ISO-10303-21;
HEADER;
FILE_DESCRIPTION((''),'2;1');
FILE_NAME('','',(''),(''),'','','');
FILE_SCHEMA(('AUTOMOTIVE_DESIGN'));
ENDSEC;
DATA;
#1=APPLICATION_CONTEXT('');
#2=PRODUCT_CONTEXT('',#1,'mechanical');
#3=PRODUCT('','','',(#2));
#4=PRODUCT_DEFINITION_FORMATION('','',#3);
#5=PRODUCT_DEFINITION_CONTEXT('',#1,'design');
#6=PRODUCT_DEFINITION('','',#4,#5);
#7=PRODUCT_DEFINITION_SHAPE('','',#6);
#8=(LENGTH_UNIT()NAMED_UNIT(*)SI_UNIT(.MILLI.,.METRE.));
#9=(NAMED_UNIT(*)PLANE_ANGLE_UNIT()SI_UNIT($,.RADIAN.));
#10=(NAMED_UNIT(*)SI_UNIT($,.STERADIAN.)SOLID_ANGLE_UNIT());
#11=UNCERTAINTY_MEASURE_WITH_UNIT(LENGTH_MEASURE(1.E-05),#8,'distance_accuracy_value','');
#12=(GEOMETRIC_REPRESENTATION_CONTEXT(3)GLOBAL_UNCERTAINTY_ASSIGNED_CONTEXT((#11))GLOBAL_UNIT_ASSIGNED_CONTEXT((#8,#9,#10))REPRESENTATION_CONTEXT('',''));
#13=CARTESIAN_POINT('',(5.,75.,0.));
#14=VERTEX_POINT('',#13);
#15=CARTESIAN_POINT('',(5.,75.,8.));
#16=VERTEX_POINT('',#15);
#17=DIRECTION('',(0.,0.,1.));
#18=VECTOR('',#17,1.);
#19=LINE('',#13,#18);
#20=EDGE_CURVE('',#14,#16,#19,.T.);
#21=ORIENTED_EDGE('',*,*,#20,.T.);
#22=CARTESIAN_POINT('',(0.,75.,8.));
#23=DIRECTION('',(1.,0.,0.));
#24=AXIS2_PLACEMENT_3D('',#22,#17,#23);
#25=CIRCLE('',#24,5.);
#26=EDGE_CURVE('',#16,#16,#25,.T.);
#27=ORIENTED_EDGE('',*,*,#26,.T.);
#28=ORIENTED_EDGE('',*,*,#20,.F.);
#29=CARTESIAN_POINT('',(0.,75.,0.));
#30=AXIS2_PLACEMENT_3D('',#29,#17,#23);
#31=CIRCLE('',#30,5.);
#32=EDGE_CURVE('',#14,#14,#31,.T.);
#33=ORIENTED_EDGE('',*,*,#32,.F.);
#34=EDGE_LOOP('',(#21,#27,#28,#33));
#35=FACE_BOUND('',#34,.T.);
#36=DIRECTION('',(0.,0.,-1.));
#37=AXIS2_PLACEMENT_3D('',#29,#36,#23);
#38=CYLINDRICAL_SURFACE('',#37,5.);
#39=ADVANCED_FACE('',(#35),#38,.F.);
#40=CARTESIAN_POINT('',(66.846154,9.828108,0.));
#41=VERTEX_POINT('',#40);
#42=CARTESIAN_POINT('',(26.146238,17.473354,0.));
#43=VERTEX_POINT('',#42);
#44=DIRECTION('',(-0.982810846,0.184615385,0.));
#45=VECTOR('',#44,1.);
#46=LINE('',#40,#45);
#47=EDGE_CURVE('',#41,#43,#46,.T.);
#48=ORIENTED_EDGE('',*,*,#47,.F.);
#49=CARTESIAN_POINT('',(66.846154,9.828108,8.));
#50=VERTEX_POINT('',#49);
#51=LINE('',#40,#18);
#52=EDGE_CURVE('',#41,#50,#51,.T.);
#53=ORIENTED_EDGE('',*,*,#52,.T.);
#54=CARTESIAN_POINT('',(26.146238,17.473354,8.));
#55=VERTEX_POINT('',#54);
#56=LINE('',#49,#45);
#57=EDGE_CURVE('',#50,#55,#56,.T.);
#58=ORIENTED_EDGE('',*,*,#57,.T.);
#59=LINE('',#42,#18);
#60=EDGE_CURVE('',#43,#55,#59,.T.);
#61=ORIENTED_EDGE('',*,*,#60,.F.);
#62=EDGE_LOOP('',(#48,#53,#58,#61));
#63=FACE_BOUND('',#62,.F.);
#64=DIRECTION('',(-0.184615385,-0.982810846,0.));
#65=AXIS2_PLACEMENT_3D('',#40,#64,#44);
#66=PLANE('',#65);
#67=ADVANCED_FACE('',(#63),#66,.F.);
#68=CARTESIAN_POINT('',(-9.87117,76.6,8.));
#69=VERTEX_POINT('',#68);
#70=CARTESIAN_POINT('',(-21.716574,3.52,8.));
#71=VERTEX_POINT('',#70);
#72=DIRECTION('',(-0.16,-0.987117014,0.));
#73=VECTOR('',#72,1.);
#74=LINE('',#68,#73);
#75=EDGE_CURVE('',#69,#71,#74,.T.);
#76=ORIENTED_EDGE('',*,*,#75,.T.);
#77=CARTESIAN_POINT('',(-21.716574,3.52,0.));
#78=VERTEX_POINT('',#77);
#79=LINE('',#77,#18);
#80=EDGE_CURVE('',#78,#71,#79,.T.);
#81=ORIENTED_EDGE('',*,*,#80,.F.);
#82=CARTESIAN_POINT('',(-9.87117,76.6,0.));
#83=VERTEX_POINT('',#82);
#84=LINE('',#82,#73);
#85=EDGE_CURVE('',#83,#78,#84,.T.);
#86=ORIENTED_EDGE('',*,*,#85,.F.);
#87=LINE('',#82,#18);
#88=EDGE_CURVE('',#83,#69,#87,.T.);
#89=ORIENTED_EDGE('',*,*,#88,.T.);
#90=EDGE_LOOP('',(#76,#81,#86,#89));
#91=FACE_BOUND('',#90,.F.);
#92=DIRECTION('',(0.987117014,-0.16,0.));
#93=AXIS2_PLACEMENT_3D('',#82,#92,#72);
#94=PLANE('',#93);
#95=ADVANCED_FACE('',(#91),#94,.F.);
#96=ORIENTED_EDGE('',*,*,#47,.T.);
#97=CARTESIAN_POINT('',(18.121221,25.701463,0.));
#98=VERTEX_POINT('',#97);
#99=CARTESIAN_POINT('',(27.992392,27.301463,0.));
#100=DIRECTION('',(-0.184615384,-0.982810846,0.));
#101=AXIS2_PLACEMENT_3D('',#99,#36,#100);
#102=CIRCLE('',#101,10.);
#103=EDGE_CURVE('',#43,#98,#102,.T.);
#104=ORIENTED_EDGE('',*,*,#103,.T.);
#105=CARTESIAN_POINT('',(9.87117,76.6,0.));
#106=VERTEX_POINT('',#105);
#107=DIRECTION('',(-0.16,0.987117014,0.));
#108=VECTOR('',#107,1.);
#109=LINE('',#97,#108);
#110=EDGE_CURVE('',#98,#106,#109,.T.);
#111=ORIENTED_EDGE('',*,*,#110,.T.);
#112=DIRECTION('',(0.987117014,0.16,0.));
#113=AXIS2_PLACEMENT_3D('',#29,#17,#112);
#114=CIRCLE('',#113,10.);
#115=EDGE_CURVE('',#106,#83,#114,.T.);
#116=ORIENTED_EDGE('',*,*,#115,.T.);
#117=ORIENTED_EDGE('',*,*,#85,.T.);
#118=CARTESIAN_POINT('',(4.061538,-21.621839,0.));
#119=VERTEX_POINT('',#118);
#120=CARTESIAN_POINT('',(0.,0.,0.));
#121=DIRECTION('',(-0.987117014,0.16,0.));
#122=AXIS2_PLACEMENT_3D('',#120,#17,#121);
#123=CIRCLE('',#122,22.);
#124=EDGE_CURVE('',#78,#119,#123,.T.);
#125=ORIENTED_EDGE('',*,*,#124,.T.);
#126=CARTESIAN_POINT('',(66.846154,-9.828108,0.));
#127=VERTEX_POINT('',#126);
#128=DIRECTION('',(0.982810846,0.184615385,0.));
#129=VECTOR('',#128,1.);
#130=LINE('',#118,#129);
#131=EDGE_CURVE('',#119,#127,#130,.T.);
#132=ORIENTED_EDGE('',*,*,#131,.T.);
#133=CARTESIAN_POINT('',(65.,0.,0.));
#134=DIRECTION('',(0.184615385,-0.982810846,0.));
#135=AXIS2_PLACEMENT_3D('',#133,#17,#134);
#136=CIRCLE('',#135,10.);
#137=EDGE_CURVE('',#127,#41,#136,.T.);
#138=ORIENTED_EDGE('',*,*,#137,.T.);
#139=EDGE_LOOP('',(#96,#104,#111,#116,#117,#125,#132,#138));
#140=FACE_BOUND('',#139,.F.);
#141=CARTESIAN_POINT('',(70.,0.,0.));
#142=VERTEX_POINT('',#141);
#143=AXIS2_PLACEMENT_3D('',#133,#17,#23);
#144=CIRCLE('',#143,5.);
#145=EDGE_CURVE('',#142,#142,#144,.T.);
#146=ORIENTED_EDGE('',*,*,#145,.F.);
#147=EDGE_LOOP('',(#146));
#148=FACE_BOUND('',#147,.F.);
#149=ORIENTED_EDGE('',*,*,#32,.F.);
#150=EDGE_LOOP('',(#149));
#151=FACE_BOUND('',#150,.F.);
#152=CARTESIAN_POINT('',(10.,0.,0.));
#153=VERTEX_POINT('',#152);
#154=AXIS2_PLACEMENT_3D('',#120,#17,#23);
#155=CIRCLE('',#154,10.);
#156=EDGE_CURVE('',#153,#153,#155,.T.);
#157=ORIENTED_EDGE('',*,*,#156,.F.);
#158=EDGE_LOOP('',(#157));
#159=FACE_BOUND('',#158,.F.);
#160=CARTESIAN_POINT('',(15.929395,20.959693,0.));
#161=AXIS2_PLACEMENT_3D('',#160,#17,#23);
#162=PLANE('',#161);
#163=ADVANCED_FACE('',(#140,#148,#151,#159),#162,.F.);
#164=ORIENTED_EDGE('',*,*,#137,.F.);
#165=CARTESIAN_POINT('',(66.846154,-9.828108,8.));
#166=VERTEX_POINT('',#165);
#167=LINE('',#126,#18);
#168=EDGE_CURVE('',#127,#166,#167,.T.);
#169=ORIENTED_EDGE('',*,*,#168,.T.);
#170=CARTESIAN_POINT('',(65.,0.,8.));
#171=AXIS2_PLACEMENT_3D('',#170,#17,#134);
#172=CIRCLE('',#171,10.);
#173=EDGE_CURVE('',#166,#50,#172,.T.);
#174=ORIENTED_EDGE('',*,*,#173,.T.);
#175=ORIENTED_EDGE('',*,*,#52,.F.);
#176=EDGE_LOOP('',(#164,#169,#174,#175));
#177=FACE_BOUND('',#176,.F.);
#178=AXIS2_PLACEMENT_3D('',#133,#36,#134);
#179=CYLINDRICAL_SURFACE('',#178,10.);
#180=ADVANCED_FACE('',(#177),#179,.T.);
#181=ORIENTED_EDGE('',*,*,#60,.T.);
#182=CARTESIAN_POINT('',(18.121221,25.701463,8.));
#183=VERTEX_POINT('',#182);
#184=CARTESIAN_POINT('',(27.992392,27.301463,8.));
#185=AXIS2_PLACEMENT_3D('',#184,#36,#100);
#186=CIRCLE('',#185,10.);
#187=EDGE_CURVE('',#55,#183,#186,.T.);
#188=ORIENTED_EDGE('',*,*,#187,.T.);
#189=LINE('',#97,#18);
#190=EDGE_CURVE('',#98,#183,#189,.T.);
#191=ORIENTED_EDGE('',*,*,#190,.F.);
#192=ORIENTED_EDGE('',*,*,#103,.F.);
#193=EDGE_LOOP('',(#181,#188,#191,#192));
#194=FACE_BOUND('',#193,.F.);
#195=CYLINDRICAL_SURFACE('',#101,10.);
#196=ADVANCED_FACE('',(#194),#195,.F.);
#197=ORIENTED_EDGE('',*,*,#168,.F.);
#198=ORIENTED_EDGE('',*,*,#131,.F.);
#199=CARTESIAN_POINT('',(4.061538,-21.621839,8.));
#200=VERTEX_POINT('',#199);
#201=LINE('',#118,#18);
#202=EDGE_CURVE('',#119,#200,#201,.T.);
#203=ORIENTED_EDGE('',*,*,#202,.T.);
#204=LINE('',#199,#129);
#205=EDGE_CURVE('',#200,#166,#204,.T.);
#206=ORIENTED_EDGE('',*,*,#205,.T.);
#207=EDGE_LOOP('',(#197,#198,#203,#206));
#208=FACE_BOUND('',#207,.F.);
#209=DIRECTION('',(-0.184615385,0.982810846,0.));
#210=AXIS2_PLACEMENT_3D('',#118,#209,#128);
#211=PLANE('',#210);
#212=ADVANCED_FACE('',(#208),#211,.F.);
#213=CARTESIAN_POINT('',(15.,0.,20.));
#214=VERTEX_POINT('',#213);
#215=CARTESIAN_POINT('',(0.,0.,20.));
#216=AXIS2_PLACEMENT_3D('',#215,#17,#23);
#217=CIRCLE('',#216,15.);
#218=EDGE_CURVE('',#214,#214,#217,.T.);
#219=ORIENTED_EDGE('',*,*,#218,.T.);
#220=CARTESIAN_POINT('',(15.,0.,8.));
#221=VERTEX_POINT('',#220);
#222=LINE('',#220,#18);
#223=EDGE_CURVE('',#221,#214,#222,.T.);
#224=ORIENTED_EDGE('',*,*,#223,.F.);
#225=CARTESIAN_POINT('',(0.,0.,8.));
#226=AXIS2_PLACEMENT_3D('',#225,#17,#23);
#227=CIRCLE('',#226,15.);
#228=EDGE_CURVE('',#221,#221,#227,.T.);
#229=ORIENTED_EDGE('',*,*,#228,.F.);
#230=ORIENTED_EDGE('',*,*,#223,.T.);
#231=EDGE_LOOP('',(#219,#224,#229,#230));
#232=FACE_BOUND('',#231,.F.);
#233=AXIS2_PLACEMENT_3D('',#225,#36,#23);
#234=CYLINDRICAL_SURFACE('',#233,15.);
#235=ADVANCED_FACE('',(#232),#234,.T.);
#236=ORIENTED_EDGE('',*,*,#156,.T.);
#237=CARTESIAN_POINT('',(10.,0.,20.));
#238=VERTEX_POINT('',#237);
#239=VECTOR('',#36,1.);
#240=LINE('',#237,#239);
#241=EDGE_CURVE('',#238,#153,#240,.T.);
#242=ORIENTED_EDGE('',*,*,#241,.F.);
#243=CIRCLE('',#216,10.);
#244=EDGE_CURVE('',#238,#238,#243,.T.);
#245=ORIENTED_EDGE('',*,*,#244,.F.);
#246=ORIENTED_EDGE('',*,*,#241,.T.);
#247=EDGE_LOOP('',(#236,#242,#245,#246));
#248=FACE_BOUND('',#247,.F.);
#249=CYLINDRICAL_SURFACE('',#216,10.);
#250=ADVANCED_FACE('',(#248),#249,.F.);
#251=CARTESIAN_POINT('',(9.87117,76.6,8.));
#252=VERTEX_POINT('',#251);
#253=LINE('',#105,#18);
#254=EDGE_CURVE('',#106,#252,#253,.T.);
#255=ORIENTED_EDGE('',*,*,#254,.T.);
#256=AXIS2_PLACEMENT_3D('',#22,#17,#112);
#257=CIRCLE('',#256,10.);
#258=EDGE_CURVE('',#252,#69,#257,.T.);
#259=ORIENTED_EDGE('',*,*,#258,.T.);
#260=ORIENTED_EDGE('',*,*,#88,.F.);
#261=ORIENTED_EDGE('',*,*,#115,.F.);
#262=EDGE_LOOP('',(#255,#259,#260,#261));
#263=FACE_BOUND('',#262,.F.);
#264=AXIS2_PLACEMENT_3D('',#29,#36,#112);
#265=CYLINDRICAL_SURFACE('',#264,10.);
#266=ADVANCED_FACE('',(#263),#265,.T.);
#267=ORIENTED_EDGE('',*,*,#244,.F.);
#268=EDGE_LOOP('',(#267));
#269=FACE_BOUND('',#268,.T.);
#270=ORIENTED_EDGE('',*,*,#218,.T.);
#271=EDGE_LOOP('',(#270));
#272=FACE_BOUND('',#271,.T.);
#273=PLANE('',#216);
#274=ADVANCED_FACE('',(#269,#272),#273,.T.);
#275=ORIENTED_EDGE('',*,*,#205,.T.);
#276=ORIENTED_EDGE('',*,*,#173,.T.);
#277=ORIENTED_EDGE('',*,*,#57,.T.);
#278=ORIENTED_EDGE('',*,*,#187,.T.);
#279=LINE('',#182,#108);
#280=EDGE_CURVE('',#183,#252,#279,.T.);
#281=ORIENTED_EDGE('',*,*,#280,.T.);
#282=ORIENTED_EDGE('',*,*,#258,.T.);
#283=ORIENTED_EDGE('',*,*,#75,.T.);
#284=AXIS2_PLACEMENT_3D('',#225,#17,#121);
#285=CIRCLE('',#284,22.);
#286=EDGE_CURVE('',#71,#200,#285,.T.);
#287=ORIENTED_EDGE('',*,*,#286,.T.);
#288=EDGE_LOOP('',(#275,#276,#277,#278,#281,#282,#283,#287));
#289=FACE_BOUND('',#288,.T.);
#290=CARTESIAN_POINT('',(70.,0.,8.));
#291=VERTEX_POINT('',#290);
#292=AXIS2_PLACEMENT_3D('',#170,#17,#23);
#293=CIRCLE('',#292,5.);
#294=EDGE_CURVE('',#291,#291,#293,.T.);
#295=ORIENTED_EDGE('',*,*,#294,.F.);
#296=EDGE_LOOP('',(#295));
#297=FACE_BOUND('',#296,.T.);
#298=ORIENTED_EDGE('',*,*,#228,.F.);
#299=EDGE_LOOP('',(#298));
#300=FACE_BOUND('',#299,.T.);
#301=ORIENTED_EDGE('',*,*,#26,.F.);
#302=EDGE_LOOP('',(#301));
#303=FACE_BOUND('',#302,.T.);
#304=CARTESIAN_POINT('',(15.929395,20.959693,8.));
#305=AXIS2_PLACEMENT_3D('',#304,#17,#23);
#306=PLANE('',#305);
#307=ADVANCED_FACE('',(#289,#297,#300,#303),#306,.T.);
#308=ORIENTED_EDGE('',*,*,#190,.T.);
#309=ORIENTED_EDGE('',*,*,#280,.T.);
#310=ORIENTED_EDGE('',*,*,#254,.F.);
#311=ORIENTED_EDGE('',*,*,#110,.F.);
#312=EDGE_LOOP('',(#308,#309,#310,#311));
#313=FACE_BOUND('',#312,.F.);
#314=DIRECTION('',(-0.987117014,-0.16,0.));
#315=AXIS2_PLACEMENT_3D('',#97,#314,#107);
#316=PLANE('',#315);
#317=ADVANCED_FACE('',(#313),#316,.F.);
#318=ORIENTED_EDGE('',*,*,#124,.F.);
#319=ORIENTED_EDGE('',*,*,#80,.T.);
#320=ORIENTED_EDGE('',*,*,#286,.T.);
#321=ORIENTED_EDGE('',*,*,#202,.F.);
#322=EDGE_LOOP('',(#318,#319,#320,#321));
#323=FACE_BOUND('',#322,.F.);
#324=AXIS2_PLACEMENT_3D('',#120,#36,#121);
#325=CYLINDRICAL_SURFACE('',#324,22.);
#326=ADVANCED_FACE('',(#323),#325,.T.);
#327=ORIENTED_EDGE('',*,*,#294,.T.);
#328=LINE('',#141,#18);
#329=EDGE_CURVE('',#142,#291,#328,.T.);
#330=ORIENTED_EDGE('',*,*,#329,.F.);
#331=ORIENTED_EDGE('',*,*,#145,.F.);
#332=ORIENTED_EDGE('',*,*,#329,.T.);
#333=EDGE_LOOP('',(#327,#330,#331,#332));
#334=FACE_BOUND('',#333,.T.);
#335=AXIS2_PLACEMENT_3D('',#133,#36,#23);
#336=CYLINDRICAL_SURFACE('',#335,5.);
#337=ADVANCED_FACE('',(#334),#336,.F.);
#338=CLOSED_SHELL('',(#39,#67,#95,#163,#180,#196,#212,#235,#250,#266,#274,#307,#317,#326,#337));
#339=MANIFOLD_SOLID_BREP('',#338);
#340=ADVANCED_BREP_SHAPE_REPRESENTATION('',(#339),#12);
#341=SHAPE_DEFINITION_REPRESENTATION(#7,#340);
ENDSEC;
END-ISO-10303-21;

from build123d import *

# Parameters (mm, degrees)
SKETCH1_R           = 5
BOSS_EXTRUDE1_DEPTH = 8
SKETCH2_R           = 15
BOSS_EXTRUDE2_DEPTH = 12
SKETCH3_R           = 10
CUT_EXTRUDE1_DEPTH  = 21


with BuildPart() as part:
    # Sketch1 → Boss-Extrude1 (new body)
    with BuildSketch(Plane.XY):
        with BuildLine():
            Line((-9.871170143, 76.6), (-21.716574315, 3.52))
            ThreePointArc((-21.716574315, 3.52), (-15.360764468, -15.749505229), (4.061538462, -21.62183862))
            Line((4.061538462, -21.62183862), (66.846153846, -9.828108464))
            ThreePointArc((66.846153846, -9.828108464), (75, 0), (66.846153846, 9.828108464))
            Line((66.846153846, 9.828108464), (26.146237666, 17.473354451))
            ThreePointArc((26.146237666, 17.473354451), (20.833525499, 20.319297247), (18.121221369, 25.701462915))
            Line((18.121221369, 25.701462915), (9.871170143, 76.6))
            ThreePointArc((9.871170143, 76.6), (0, 85), (-9.871170143, 76.6))
        make_face()
        with Locations((0, 75)):
            Circle(SKETCH1_R, mode=Mode.SUBTRACT)
        with Locations((65, 0)):
            Circle(SKETCH1_R, mode=Mode.SUBTRACT)
    extrude(amount=BOSS_EXTRUDE1_DEPTH)

    # Sketch2 → Boss-Extrude2 (add)
    with BuildSketch(Plane.XY.offset(8)):
        Circle(SKETCH2_R)
    extrude(amount=BOSS_EXTRUDE2_DEPTH)

    # Sketch3 → Cut-Extrude1 (cut, through all)
    with BuildSketch(Plane.XY.offset(20)):
        Circle(SKETCH3_R)
    extrude(amount=-CUT_EXTRUDE1_DEPTH, mode=Mode.SUBTRACT)


solid = part.part
